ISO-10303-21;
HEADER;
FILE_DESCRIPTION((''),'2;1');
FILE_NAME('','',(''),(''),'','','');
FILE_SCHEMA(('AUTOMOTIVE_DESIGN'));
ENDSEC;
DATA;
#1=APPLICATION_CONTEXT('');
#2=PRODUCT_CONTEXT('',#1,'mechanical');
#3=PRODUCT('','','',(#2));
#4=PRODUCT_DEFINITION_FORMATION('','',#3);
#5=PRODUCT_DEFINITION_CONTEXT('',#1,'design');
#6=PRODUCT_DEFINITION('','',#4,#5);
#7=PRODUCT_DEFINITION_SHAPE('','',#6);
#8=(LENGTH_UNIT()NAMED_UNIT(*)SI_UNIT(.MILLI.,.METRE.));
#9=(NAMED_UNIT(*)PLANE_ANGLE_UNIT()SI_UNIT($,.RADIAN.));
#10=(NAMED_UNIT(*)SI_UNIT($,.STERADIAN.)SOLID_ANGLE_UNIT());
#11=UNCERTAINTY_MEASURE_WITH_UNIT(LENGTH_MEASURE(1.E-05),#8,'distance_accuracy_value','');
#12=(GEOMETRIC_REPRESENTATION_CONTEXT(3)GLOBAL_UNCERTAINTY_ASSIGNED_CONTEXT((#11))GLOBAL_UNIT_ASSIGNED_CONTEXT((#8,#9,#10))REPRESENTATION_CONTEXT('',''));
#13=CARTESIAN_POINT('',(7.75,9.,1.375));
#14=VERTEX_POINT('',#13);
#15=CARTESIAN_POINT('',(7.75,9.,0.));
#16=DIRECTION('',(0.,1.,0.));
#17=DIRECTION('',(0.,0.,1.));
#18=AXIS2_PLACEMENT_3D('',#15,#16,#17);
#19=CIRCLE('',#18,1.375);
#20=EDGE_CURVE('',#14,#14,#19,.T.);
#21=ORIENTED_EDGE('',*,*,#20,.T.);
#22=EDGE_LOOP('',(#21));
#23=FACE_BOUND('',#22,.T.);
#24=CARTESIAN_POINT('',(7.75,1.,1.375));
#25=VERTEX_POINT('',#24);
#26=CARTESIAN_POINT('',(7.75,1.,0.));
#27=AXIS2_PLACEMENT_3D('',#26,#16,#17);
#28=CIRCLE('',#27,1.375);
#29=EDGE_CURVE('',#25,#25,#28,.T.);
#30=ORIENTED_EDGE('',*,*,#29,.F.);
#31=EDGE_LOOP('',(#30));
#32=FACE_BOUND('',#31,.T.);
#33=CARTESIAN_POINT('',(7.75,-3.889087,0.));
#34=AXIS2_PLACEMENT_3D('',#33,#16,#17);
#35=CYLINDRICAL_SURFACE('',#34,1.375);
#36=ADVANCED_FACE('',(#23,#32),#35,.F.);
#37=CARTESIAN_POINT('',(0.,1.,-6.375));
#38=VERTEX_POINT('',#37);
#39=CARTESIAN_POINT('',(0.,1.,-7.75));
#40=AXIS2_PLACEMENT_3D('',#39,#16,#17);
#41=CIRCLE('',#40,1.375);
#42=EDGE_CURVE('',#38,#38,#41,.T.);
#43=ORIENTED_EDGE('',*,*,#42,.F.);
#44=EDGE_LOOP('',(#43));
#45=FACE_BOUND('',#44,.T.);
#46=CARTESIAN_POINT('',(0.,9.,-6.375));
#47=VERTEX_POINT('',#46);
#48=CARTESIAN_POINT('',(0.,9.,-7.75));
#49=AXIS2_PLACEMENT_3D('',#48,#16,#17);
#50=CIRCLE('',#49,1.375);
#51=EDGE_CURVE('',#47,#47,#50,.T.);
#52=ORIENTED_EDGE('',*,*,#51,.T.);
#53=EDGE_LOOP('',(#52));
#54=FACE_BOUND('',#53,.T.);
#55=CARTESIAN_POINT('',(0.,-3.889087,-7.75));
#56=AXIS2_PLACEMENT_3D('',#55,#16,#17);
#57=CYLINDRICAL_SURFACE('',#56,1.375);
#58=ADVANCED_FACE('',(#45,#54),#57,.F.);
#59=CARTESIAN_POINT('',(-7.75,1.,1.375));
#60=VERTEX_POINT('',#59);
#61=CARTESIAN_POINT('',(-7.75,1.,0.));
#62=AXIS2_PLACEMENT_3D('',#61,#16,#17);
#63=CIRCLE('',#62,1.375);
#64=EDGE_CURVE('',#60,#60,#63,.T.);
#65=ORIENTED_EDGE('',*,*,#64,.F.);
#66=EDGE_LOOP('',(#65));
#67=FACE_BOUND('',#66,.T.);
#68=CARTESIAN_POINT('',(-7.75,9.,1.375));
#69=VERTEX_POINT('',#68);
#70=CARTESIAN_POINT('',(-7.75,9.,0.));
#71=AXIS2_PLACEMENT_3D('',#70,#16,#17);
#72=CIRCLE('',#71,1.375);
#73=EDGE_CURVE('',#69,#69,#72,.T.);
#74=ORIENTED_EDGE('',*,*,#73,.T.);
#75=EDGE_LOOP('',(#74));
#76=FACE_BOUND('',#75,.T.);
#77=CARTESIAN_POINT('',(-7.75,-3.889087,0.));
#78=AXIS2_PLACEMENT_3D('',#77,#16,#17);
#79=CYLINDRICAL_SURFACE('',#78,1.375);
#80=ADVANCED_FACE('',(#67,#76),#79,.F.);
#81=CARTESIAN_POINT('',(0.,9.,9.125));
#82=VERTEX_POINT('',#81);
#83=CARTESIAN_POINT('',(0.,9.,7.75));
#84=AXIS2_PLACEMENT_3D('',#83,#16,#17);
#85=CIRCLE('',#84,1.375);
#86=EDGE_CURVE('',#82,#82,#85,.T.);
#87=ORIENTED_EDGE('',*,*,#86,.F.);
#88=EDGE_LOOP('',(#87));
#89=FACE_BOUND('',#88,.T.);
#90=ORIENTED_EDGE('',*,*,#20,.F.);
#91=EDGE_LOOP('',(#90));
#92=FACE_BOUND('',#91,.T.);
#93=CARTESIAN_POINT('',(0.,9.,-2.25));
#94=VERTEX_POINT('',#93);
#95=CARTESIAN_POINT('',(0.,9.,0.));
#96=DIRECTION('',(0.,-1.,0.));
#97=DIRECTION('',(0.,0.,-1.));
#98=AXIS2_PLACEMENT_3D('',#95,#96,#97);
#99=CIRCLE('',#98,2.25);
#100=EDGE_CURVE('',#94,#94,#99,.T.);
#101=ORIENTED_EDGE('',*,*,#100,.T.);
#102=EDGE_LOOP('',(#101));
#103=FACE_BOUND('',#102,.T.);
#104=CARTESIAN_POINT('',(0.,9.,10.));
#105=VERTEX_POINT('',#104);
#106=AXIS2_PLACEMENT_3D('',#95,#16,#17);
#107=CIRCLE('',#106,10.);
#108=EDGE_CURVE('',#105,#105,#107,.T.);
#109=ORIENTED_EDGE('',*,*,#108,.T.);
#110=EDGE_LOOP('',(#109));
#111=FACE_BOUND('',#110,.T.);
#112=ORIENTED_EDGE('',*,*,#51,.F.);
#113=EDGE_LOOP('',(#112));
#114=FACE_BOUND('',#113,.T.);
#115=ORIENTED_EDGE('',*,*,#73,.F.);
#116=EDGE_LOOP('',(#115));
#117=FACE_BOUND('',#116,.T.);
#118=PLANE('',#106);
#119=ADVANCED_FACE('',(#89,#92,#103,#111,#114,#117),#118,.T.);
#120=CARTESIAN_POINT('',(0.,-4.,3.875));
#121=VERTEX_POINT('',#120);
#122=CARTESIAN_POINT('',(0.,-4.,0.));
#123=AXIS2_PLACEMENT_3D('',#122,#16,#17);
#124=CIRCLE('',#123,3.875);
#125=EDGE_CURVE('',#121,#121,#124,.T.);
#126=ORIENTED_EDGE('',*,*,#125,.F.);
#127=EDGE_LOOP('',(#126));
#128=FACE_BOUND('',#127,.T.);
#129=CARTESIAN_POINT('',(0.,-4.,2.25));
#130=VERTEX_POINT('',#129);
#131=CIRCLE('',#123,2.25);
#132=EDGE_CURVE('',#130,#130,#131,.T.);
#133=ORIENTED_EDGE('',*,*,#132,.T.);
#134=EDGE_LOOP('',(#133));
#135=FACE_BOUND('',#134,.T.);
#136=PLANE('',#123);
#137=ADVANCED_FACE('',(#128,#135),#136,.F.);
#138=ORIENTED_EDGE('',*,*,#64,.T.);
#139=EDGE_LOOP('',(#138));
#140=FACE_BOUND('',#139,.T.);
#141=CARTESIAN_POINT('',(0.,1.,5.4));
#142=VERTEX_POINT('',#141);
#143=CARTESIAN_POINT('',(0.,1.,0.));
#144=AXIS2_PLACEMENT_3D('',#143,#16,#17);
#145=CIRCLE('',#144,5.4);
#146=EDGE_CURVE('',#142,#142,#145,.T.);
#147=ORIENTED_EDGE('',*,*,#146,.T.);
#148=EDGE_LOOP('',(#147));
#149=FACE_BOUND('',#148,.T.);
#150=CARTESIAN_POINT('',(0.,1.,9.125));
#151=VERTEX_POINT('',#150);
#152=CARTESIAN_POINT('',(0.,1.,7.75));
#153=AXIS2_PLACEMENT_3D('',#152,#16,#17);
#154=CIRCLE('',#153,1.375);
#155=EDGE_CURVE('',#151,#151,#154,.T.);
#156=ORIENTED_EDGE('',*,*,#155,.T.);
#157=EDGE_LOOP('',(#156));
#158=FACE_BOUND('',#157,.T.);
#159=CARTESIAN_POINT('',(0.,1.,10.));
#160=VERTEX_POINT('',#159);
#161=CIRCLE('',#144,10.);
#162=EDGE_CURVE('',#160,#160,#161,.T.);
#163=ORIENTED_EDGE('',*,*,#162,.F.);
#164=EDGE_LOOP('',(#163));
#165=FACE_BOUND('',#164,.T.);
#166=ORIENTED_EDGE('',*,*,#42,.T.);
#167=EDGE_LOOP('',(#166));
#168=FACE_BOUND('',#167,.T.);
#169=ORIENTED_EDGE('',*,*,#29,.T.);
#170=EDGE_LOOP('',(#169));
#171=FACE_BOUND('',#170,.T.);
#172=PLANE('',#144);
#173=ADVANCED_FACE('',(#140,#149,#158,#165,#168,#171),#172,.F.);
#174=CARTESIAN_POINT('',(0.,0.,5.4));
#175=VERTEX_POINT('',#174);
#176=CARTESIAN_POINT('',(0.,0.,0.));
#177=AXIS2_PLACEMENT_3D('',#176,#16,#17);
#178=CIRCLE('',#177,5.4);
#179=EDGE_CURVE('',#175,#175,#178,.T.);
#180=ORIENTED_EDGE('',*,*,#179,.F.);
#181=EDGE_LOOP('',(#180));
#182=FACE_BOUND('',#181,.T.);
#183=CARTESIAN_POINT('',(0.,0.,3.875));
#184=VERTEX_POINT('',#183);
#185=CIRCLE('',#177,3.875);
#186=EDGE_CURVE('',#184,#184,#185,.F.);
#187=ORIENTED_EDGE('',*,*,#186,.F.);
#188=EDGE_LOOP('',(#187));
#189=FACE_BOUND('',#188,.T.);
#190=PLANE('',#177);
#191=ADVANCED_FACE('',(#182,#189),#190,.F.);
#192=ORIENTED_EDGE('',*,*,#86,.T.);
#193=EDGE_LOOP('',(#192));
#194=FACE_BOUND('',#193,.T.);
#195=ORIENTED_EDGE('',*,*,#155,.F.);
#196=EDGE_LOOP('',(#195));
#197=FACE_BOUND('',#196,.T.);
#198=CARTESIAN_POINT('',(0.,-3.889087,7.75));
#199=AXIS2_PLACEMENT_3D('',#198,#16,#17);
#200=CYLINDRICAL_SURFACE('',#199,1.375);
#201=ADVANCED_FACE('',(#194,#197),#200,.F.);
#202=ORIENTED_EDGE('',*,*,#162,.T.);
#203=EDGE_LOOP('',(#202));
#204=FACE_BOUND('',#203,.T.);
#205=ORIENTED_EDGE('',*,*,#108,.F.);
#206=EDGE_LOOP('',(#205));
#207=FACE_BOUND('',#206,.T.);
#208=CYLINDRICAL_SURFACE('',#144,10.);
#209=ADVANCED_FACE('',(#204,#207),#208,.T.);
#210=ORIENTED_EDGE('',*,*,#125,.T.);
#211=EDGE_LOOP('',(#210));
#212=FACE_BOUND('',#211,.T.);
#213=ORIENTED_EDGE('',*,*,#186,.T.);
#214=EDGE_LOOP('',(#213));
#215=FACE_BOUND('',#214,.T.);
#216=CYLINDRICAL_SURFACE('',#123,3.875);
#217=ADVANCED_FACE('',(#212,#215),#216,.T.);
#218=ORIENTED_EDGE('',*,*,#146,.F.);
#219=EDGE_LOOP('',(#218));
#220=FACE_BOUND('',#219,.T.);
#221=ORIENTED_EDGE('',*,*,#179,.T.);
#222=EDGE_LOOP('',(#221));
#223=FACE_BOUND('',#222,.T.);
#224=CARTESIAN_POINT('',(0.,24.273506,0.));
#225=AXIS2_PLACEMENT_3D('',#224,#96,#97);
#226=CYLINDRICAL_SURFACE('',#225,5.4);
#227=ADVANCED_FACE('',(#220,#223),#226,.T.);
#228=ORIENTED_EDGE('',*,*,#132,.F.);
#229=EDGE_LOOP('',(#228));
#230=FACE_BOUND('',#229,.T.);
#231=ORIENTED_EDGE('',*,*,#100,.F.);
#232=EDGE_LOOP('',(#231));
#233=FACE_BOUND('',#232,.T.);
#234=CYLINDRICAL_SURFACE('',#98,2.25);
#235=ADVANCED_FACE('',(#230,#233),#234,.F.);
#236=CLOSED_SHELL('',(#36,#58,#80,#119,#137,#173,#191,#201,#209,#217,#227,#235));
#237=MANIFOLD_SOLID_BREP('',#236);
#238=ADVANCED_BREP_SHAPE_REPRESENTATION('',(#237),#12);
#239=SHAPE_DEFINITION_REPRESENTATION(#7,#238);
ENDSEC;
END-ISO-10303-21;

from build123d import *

# Parameters (mm, degrees)
SKETCH1_R                = 3.875
BOSS_EXTRUDE1_DEPTH      = 9
BOSS_EXTRUDE1_DEPTH_BACK = 4
SKETCH2_R                = 5.4
BOSS_EXTRUDE2_DEPTH      = 9
SKETCH7_R                = 10
BOSS_EXTRUDE4_DEPTH      = 8
SKETCH8_R                = 2.25
CUT_EXTRUDE4_DEPTH       = 1
CUT_EXTRUDE4_DEPTH_BACK  = 14
CUT_EXTRUDE2_START       = -9
SKETCH3_R                = 1.375
CUT_EXTRUDE2_DEPTH       = 10
CIRPATTERN2_COUNT        = 4


with BuildPart() as part:
    # Sketch1 → Boss-Extrude1 (new body, two sides)
    with BuildSketch(Plane(origin=(0, 0, 0), x_dir=(1, 0, 0), z_dir=(0, 1, 0))) as boss_extrude1_sk:
        Circle(SKETCH1_R)
    extrude(amount=BOSS_EXTRUDE1_DEPTH)
    extrude(boss_extrude1_sk.sketch, amount=-BOSS_EXTRUDE1_DEPTH_BACK)

    # Sketch2 → Boss-Extrude2 (add)
    with BuildSketch(Plane(origin=(0, 0, 0), x_dir=(1, 0, 0), z_dir=(0, 1, 0))):
        Circle(SKETCH2_R)
    extrude(amount=BOSS_EXTRUDE2_DEPTH)

    # Sketch7 → Boss-Extrude4 (add)
    with BuildSketch(Plane(origin=(0, 9, 0), x_dir=(1, 0, 0), z_dir=(0, 1, 0))):
        Circle(SKETCH7_R)
    extrude(amount=-BOSS_EXTRUDE4_DEPTH)

    # Sketch8 → Cut-Extrude4 (cut, two sides)
    with BuildSketch(Plane.XZ.offset(4)) as cut_extrude4_sk:
        Circle(SKETCH8_R)
    extrude(amount=CUT_EXTRUDE4_DEPTH, mode=Mode.SUBTRACT)
    extrude(cut_extrude4_sk.sketch, amount=-CUT_EXTRUDE4_DEPTH_BACK, mode=Mode.SUBTRACT)

    # Sketch3 → Cut-Extrude2 (cut)
    with BuildSketch(Plane(origin=(0, 9, 0), x_dir=(1, 0, 0), z_dir=(0, 1, 0)).offset(CUT_EXTRUDE2_START)):
        with Locations((-7.75, 0)):
            Circle(SKETCH3_R)
    cut_extrude2 = extrude(amount=CUT_EXTRUDE2_DEPTH, mode=Mode.SUBTRACT)

    # CirPattern2: Cut-Extrude2 ×4 about axis
    cirpattern2_axis = Axis((0, 0, 0), (0, 1, 0))
    for i in range(1, CIRPATTERN2_COUNT):
        add(cut_extrude2.rotate(cirpattern2_axis, i * 360 / CIRPATTERN2_COUNT), mode=Mode.SUBTRACT)


solid = part.part
